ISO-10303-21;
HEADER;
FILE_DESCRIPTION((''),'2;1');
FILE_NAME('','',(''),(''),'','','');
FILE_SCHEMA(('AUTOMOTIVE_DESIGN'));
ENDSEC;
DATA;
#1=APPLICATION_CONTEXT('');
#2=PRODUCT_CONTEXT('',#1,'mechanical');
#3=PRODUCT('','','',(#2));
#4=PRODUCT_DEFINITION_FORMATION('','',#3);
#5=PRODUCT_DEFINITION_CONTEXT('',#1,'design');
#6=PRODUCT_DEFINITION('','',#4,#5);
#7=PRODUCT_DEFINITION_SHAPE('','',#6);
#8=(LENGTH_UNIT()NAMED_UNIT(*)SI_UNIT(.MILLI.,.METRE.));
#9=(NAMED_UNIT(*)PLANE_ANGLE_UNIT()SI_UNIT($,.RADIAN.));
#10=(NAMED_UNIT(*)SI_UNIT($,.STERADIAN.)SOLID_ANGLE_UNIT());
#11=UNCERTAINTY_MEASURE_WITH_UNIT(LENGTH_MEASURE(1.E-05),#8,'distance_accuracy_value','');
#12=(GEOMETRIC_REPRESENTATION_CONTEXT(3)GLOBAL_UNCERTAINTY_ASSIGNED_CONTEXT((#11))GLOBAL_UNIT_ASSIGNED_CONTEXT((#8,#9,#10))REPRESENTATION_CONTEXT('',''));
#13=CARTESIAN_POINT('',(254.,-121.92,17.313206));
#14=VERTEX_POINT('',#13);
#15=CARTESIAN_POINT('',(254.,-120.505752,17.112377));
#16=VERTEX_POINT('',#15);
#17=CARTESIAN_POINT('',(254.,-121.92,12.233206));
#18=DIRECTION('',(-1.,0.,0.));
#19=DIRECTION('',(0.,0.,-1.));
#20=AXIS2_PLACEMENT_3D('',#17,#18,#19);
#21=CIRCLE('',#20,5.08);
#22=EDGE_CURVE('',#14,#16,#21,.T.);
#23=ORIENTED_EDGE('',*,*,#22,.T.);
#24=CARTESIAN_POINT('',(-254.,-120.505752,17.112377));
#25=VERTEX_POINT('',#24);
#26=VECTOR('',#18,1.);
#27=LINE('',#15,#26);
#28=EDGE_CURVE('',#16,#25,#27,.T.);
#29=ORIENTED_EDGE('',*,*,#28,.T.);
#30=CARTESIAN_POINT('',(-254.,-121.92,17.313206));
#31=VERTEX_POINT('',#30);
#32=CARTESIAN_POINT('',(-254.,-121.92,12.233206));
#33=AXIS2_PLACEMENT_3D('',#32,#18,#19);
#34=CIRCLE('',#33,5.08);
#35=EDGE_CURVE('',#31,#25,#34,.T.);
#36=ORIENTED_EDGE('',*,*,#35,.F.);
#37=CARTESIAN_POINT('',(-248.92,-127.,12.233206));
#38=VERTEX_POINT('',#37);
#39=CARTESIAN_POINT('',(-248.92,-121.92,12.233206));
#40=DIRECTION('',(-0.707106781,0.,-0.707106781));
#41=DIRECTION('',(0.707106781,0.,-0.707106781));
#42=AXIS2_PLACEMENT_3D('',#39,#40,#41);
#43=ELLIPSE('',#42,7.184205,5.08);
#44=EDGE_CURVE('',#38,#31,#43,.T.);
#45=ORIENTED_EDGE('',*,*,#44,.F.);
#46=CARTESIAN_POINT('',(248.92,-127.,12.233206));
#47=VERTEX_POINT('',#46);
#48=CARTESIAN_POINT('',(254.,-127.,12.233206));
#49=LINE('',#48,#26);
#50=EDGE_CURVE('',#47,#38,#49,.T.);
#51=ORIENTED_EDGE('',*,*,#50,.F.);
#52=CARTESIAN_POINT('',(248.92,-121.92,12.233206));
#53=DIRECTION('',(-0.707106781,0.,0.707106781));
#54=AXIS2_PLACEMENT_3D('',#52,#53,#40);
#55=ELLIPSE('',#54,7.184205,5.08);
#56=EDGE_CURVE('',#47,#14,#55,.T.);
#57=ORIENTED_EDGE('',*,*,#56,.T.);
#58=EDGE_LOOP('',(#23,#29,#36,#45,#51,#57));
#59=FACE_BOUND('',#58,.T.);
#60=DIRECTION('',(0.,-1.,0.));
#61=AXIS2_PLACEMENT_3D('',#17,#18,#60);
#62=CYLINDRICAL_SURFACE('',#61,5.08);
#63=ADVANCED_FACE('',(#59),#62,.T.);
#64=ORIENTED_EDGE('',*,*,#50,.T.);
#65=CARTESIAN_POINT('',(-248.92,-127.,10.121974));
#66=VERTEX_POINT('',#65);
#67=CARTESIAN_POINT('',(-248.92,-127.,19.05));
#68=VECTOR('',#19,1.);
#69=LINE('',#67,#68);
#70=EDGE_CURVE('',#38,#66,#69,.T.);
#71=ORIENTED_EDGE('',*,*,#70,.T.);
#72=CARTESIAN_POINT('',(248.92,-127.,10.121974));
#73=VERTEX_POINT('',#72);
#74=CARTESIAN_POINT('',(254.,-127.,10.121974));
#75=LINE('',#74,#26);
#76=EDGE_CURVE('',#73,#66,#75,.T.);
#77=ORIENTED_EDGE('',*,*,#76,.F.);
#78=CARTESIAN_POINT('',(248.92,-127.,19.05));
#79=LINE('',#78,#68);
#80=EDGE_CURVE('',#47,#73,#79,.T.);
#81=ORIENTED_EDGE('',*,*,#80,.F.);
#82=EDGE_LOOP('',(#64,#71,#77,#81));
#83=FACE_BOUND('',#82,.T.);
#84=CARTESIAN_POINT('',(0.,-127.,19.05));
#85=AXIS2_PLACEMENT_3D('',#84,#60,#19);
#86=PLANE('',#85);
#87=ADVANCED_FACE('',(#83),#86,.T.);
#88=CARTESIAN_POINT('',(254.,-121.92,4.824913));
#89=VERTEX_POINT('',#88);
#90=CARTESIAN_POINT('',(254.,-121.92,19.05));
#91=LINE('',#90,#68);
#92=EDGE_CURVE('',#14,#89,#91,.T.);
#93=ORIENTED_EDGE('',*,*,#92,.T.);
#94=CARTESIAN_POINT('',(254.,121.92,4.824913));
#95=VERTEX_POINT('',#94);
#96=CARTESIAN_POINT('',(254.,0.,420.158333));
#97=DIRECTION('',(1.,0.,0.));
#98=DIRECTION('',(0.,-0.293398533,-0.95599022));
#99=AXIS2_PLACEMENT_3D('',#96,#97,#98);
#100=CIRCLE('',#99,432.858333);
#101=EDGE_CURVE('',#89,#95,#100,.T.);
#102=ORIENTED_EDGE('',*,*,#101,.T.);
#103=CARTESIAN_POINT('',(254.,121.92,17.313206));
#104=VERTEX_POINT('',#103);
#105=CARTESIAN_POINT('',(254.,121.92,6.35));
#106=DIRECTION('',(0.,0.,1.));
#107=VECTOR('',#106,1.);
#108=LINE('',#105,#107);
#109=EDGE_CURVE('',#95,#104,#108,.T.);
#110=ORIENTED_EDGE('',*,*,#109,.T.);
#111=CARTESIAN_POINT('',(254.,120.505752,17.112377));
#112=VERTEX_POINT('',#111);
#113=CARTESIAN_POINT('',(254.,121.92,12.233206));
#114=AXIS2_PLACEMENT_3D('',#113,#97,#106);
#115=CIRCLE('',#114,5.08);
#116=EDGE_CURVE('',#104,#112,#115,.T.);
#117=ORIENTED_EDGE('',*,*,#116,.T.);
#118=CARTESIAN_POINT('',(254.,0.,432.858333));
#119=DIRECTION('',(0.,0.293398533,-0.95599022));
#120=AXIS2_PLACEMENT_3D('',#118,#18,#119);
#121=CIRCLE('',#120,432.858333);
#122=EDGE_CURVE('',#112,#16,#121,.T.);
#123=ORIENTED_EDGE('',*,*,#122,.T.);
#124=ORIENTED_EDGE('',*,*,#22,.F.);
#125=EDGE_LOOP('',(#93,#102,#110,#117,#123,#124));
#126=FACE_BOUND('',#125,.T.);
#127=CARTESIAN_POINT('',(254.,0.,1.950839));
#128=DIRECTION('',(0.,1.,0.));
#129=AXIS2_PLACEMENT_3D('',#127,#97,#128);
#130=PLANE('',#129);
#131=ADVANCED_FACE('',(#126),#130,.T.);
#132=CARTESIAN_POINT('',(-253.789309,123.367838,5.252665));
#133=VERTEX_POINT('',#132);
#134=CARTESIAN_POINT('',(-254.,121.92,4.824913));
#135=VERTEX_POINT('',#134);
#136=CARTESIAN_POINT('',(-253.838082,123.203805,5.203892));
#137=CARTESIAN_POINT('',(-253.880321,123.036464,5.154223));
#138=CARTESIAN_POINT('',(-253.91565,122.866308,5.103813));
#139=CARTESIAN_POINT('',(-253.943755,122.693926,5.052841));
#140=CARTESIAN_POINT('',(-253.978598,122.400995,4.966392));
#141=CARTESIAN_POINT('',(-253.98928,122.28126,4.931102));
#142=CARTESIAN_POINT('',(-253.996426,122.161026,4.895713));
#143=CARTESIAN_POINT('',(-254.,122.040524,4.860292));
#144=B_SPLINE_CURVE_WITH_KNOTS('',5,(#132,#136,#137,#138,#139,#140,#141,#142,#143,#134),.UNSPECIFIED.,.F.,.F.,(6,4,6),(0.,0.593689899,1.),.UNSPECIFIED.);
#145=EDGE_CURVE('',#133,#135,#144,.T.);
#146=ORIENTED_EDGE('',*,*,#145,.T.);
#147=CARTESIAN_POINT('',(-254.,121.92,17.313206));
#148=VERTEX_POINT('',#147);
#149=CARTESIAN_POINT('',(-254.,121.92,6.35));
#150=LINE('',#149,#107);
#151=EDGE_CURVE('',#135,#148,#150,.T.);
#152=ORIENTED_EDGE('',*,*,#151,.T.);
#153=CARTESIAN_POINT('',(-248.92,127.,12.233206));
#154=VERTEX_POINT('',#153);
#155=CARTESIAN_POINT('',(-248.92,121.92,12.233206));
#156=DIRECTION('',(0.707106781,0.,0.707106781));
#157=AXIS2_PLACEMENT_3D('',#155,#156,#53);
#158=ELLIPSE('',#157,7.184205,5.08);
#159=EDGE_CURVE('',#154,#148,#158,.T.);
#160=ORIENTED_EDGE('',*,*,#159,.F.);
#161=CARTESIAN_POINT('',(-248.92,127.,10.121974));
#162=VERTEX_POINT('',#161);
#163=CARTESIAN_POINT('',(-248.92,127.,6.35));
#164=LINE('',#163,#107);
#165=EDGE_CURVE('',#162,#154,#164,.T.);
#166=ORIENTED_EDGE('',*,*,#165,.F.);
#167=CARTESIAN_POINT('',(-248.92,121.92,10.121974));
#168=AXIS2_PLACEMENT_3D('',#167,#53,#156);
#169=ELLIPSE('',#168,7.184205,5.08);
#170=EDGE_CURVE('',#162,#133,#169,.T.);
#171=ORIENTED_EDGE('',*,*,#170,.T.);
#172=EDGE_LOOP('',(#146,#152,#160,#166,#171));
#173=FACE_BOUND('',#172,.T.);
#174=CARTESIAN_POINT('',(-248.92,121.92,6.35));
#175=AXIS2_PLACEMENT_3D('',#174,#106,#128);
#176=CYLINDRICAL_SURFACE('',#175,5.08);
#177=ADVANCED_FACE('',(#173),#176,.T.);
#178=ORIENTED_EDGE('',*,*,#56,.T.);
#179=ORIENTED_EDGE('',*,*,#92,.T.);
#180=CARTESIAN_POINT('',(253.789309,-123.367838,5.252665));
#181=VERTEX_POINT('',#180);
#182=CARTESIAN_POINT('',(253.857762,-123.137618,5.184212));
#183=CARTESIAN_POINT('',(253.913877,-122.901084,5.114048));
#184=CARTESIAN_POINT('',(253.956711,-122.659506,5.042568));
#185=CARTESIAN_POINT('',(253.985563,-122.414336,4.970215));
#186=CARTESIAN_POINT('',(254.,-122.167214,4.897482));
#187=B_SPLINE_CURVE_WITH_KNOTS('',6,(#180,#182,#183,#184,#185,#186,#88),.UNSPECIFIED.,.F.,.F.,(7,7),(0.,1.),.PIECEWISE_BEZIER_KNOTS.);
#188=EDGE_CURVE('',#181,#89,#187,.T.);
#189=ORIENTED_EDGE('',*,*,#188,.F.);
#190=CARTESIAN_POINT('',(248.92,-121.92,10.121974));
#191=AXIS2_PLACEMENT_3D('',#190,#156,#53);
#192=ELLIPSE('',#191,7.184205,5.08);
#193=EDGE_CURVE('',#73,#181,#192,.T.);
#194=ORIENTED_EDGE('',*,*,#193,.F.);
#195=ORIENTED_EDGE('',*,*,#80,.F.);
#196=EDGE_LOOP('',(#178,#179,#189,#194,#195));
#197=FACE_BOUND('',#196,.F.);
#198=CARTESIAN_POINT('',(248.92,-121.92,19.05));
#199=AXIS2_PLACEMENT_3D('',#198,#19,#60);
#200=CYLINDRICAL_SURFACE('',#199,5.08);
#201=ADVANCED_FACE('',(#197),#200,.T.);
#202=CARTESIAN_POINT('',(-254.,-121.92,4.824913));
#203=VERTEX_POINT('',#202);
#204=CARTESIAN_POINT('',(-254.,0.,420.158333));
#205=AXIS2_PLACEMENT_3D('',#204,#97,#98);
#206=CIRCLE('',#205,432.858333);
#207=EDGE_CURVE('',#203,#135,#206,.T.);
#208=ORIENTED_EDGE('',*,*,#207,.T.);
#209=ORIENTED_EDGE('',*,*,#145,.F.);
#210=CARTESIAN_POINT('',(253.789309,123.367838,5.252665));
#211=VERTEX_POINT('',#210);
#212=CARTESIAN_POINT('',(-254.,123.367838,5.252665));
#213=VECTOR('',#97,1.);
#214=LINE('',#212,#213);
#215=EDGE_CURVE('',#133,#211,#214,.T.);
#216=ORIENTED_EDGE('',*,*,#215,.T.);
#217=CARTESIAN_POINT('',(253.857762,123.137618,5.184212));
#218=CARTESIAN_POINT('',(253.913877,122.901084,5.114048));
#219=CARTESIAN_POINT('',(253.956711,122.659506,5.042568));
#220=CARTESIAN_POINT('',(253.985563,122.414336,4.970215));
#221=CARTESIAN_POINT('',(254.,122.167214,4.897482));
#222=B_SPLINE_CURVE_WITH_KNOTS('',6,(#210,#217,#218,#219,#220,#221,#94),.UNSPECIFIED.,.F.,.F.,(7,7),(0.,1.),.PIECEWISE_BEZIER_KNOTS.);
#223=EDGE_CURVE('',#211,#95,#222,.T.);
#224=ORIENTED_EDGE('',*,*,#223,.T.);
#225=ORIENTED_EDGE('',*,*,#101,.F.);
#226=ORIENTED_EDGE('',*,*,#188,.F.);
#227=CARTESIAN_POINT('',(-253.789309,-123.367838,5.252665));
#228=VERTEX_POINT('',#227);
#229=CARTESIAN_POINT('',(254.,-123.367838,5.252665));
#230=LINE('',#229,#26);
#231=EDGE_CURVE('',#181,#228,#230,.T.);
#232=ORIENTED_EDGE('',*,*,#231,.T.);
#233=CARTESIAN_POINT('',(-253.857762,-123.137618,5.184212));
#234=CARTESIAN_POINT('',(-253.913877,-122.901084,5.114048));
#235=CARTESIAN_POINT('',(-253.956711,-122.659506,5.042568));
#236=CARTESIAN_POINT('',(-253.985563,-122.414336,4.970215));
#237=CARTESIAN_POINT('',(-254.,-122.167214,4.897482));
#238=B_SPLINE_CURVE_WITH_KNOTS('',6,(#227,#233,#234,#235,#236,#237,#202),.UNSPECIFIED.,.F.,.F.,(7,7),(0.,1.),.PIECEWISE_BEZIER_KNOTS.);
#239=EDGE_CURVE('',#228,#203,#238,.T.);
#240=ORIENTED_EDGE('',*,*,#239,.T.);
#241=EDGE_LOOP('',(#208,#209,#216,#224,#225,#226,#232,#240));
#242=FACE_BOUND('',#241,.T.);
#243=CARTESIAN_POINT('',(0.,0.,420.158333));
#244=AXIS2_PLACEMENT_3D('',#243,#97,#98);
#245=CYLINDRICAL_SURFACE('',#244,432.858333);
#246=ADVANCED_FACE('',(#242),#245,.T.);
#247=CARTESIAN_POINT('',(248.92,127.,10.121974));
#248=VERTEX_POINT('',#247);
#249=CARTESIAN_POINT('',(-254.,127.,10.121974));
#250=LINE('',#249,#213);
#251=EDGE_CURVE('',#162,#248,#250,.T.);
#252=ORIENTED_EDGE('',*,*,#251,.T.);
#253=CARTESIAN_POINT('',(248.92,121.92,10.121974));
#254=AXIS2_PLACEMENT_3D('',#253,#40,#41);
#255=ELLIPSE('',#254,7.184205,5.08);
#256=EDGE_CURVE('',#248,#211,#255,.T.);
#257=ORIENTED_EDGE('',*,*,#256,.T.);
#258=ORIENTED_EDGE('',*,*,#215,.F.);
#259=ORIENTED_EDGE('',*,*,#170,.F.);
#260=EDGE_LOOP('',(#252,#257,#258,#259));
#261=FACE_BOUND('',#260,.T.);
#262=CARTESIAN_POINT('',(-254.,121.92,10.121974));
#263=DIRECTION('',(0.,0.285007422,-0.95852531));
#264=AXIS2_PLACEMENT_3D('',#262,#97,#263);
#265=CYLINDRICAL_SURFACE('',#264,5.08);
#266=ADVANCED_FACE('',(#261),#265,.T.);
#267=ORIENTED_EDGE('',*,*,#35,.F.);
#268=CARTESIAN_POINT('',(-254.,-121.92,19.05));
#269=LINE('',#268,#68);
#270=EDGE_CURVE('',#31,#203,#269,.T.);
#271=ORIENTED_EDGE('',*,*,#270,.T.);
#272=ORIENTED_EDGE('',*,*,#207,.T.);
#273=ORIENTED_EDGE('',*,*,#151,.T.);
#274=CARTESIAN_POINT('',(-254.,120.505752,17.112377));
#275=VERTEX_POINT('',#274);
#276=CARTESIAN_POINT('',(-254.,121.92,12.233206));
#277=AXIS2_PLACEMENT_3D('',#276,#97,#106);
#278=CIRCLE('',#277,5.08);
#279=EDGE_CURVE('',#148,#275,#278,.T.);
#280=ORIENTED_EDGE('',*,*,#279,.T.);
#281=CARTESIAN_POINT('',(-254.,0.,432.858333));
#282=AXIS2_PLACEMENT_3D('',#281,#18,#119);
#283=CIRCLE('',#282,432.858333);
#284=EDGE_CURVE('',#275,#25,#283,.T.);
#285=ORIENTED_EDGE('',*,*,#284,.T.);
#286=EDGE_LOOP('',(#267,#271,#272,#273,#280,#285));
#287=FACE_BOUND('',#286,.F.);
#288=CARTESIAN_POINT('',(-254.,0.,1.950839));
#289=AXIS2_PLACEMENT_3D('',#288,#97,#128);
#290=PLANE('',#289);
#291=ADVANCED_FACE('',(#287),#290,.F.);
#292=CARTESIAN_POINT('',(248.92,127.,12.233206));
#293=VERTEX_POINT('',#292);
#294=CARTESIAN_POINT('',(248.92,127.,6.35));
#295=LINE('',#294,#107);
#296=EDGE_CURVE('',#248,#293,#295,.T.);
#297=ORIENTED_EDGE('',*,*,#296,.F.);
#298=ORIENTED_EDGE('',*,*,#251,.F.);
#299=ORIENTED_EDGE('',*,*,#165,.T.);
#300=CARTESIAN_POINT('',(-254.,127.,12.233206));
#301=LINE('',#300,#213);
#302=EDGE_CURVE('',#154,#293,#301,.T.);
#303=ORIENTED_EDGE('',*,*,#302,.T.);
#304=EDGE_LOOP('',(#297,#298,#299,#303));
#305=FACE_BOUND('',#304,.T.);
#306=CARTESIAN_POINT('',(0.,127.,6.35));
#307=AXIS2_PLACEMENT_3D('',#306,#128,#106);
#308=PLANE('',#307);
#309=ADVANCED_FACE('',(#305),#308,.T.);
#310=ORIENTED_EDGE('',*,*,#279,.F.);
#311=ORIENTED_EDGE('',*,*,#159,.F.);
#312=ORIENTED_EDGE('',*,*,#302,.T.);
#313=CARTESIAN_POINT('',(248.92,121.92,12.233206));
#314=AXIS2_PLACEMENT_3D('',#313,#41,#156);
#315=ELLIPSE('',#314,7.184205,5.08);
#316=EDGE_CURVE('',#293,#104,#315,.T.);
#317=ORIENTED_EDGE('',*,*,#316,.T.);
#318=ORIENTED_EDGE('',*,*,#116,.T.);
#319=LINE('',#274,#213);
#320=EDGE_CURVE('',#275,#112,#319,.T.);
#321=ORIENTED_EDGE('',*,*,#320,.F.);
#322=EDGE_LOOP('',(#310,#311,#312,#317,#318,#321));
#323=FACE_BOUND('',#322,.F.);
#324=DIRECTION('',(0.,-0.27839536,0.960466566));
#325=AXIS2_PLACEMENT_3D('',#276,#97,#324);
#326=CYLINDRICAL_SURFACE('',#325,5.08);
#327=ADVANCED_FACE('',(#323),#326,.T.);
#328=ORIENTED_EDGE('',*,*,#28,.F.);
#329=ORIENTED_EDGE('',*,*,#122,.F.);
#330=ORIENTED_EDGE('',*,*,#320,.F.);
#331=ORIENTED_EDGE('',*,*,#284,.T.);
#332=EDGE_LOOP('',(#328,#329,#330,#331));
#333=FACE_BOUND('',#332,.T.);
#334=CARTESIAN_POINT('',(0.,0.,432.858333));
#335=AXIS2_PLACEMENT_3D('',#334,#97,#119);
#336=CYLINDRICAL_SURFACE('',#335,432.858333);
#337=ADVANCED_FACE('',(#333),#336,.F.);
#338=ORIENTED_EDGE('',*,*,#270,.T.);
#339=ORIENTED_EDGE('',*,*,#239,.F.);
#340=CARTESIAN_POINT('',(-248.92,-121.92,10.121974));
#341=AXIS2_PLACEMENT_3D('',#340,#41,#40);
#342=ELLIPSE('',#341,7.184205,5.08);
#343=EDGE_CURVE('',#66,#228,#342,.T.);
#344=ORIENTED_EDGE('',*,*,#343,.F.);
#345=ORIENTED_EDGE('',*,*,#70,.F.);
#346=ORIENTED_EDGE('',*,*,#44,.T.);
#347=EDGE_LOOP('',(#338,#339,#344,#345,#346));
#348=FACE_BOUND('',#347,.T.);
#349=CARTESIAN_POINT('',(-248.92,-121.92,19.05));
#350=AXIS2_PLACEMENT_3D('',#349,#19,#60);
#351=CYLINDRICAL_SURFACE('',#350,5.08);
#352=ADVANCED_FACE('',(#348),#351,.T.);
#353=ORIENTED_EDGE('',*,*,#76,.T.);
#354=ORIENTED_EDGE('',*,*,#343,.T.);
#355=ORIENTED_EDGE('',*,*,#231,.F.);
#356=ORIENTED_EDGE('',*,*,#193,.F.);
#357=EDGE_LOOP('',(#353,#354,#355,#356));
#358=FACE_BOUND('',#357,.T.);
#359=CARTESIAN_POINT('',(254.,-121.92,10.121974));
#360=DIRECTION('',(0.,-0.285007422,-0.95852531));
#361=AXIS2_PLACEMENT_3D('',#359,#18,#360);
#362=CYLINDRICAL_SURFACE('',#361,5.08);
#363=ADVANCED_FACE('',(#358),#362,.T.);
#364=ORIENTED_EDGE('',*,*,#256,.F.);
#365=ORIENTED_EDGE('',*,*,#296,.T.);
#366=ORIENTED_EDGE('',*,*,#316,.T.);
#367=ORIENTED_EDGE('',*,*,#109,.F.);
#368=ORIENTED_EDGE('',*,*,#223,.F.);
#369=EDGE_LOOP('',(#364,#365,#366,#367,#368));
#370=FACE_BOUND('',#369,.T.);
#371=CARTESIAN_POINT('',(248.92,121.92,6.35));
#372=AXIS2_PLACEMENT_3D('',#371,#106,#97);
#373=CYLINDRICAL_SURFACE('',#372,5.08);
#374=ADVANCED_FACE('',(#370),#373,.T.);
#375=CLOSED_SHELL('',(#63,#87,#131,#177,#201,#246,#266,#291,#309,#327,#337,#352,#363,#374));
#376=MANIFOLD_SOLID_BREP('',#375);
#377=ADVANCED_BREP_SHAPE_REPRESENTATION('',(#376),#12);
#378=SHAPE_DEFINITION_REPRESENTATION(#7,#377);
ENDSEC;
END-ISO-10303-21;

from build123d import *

# Parameters (mm, degrees)
F1_DEPTH      = 254
F1_DEPTH_BACK = 254
F2_R          = 5.08


with BuildPart() as f1:
    # F0 (on Right) → F1 (new body, two sides)
    with BuildSketch(Plane.YZ) as f1_sk:
        with BuildLine():
            ThreePointArc((-127, 6.35), (0, -12.7), (127, 6.35))
            Line((127, 6.35), (127, 19.05))
            ThreePointArc((127, 19.05), (0, 0), (-127, 19.05))
            Line((-127, 19.05), (-127, 6.35))
        make_face()
    extrude(amount=F1_DEPTH)
    extrude(f1_sk.sketch, amount=-F1_DEPTH_BACK)

    # F2
    f2_edges = [f1.edges().sort_by_distance(p)[0] for p in [
        (0, 127, 6.35),
        (254, 127, 12.7),
        (0, 127, 19.05),
        (-254, 127, 12.7),
        (254, -127, 12.7),
        (0, -127, 6.35),
        (-254, -127, 12.7),
        (0, -127, 19.05),
    ]]
    fillet(f2_edges, radius=F2_R)


solid = f1.part
